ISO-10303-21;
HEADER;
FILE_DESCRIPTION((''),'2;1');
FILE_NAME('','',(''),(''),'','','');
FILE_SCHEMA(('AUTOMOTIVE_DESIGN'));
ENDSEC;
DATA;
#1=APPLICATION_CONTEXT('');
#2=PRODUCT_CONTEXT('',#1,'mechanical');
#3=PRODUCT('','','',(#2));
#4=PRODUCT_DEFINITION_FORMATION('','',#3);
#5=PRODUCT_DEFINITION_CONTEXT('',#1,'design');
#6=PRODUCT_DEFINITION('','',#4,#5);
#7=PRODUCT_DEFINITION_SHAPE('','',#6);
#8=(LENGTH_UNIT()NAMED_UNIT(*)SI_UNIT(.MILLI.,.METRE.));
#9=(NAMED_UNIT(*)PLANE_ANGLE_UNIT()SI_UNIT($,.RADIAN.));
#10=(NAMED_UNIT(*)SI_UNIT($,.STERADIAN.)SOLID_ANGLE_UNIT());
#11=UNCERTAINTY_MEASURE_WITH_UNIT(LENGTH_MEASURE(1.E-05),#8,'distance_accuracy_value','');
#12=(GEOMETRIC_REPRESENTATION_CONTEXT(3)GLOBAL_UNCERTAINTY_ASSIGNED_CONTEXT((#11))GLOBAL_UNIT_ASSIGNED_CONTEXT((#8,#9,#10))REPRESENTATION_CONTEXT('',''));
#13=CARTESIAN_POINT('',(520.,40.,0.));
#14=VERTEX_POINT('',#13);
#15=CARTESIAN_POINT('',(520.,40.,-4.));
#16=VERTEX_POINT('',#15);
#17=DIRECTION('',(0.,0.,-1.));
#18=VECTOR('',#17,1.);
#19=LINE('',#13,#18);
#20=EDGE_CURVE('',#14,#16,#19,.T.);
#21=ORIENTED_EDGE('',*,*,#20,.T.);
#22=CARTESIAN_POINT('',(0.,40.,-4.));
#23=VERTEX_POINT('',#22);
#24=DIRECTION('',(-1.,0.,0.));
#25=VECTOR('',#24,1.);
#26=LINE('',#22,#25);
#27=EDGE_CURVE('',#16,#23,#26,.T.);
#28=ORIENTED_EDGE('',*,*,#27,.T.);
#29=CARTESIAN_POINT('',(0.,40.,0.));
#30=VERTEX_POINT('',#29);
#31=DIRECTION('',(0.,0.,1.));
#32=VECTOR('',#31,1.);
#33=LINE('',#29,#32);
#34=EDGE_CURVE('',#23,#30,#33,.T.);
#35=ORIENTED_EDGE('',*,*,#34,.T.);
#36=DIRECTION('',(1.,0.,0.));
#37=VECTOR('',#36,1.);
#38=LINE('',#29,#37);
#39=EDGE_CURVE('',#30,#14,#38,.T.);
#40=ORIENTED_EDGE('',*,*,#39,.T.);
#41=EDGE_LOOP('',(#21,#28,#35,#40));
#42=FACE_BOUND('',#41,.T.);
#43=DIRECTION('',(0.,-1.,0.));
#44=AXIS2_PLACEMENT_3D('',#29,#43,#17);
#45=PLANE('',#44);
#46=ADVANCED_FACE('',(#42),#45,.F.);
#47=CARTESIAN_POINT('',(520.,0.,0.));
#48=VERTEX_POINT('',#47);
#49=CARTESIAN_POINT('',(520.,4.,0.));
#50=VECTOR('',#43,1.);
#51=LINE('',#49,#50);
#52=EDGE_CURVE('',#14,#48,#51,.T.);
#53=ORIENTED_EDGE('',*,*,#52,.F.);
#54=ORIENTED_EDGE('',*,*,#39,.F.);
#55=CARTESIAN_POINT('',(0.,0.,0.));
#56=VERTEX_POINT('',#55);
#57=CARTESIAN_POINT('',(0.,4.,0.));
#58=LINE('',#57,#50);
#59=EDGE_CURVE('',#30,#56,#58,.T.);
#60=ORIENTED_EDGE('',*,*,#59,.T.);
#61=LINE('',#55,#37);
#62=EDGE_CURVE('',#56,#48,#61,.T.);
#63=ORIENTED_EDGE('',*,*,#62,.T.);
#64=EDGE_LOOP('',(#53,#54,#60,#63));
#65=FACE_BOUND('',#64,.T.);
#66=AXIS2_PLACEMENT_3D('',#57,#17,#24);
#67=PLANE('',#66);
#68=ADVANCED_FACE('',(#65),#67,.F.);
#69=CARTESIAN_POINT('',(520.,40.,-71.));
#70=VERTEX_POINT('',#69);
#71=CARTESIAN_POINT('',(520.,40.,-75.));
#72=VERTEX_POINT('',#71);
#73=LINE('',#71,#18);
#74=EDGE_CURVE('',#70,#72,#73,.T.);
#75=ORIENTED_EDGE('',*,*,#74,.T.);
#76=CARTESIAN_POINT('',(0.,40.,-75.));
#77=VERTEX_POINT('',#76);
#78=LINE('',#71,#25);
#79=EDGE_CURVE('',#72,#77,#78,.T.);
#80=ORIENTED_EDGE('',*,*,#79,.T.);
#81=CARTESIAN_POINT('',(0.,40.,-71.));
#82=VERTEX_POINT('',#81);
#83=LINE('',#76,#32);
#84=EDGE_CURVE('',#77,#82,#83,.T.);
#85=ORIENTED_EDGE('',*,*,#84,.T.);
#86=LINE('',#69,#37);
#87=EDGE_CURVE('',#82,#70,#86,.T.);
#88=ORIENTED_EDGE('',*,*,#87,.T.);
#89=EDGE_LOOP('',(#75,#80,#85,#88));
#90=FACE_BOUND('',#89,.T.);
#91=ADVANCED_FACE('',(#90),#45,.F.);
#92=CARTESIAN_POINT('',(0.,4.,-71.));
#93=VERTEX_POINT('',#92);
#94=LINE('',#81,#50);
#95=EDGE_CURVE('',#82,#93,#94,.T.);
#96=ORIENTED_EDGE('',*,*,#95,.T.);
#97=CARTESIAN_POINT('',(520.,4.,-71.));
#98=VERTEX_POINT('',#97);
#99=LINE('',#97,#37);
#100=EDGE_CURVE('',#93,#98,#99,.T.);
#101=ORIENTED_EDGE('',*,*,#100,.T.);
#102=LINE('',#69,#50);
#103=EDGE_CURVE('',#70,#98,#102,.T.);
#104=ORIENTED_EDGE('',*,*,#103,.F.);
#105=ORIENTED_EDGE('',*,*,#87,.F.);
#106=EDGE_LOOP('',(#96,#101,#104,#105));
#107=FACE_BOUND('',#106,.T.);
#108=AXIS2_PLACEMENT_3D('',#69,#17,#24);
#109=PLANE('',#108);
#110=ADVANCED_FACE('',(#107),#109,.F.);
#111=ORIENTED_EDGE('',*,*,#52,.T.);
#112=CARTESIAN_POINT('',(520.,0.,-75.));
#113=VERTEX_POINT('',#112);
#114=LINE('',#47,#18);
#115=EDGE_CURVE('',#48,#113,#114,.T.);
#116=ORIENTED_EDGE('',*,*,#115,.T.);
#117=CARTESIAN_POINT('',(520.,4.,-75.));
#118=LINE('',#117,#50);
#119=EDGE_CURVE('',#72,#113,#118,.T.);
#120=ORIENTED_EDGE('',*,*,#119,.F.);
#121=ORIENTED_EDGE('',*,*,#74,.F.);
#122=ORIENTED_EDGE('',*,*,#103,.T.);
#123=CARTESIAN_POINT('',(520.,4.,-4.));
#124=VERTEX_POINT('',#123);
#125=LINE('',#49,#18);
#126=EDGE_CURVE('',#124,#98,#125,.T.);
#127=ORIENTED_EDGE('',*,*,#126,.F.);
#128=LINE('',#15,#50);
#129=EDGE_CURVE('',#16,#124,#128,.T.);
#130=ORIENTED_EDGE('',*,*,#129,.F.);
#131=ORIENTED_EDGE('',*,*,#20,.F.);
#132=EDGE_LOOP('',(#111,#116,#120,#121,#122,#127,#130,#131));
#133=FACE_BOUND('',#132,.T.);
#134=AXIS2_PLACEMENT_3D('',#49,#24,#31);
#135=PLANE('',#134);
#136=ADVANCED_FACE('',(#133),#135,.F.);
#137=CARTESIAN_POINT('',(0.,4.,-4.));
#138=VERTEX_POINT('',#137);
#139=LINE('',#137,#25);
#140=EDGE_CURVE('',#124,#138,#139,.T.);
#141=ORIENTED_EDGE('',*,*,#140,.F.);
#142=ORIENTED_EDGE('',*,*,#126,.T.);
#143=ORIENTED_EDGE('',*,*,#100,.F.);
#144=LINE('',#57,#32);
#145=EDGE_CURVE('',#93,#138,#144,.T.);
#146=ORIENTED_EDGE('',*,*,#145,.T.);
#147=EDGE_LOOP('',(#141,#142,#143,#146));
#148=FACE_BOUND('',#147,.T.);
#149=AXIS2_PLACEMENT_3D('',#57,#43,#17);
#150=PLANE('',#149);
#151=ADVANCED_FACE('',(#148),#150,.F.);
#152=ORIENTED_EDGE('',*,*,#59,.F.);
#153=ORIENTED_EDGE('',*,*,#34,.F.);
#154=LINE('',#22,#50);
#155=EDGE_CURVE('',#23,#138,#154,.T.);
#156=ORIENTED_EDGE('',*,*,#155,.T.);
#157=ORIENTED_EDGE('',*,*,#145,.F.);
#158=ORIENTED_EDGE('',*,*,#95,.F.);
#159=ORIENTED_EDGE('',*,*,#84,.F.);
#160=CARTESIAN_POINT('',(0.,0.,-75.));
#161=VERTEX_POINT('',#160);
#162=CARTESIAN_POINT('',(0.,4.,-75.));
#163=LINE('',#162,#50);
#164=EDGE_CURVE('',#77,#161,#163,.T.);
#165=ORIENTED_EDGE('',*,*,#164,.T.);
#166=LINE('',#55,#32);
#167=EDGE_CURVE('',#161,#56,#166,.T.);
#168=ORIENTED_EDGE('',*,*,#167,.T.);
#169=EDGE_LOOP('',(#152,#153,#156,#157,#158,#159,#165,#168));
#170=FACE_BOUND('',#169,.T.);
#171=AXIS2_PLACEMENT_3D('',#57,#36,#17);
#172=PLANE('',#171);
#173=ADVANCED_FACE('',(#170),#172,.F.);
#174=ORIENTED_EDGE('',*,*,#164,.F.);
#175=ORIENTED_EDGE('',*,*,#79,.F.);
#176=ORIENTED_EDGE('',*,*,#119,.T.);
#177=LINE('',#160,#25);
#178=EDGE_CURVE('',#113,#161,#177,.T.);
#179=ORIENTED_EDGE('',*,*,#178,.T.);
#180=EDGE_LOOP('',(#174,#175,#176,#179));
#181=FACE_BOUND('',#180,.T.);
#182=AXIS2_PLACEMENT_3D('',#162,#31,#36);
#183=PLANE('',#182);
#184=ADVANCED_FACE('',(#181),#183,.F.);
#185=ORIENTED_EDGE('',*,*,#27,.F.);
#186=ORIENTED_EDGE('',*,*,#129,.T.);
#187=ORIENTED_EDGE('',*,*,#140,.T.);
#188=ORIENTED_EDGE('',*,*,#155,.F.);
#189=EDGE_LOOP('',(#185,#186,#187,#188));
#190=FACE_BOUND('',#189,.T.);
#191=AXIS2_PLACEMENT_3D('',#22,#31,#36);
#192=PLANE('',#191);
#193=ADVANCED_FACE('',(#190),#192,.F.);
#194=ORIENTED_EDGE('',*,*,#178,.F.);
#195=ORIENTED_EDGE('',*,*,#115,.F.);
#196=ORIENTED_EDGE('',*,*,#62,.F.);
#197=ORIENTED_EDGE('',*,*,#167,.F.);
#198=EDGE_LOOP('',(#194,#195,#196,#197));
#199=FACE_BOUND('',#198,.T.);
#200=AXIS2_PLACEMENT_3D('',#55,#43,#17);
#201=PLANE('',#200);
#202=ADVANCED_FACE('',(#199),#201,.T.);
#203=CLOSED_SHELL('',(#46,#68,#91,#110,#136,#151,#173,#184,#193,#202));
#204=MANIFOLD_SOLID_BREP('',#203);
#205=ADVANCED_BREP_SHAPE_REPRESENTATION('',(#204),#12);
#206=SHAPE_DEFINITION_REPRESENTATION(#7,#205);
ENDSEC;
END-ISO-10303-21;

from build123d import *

# Parameters (mm, degrees)
SKETCH_1_W      = 520
SKETCH_1_H      = 75
EXTRUDE_1_DEPTH = 4
SKETCH_2_W      = 520
SKETCH_2_H      = 4
EXTRUDE_2_DEPTH = 36


with BuildPart() as part:
    # 스케치1 → 보스-돌출1 (new body)
    with BuildSketch(Plane(origin=(0, 0, 0), x_dir=(1, 0, 0), z_dir=(0, 1, 0))):
        with Locations((260, 37.5)):
            Rectangle(SKETCH_1_W, SKETCH_1_H)
    extrude(amount=EXTRUDE_1_DEPTH)

    # 스케치2 → 보스-돌출2 (add)
    with BuildSketch(Plane(origin=(0, 4, 0), x_dir=(1, 0, 0), z_dir=(0, 1, 0))):
        with Locations((260, 2)):
            Rectangle(SKETCH_2_W, SKETCH_2_H)
        with Locations((260, 73)):
            Rectangle(SKETCH_2_W, SKETCH_2_H)
    extrude(amount=EXTRUDE_2_DEPTH)


solid = part.part
